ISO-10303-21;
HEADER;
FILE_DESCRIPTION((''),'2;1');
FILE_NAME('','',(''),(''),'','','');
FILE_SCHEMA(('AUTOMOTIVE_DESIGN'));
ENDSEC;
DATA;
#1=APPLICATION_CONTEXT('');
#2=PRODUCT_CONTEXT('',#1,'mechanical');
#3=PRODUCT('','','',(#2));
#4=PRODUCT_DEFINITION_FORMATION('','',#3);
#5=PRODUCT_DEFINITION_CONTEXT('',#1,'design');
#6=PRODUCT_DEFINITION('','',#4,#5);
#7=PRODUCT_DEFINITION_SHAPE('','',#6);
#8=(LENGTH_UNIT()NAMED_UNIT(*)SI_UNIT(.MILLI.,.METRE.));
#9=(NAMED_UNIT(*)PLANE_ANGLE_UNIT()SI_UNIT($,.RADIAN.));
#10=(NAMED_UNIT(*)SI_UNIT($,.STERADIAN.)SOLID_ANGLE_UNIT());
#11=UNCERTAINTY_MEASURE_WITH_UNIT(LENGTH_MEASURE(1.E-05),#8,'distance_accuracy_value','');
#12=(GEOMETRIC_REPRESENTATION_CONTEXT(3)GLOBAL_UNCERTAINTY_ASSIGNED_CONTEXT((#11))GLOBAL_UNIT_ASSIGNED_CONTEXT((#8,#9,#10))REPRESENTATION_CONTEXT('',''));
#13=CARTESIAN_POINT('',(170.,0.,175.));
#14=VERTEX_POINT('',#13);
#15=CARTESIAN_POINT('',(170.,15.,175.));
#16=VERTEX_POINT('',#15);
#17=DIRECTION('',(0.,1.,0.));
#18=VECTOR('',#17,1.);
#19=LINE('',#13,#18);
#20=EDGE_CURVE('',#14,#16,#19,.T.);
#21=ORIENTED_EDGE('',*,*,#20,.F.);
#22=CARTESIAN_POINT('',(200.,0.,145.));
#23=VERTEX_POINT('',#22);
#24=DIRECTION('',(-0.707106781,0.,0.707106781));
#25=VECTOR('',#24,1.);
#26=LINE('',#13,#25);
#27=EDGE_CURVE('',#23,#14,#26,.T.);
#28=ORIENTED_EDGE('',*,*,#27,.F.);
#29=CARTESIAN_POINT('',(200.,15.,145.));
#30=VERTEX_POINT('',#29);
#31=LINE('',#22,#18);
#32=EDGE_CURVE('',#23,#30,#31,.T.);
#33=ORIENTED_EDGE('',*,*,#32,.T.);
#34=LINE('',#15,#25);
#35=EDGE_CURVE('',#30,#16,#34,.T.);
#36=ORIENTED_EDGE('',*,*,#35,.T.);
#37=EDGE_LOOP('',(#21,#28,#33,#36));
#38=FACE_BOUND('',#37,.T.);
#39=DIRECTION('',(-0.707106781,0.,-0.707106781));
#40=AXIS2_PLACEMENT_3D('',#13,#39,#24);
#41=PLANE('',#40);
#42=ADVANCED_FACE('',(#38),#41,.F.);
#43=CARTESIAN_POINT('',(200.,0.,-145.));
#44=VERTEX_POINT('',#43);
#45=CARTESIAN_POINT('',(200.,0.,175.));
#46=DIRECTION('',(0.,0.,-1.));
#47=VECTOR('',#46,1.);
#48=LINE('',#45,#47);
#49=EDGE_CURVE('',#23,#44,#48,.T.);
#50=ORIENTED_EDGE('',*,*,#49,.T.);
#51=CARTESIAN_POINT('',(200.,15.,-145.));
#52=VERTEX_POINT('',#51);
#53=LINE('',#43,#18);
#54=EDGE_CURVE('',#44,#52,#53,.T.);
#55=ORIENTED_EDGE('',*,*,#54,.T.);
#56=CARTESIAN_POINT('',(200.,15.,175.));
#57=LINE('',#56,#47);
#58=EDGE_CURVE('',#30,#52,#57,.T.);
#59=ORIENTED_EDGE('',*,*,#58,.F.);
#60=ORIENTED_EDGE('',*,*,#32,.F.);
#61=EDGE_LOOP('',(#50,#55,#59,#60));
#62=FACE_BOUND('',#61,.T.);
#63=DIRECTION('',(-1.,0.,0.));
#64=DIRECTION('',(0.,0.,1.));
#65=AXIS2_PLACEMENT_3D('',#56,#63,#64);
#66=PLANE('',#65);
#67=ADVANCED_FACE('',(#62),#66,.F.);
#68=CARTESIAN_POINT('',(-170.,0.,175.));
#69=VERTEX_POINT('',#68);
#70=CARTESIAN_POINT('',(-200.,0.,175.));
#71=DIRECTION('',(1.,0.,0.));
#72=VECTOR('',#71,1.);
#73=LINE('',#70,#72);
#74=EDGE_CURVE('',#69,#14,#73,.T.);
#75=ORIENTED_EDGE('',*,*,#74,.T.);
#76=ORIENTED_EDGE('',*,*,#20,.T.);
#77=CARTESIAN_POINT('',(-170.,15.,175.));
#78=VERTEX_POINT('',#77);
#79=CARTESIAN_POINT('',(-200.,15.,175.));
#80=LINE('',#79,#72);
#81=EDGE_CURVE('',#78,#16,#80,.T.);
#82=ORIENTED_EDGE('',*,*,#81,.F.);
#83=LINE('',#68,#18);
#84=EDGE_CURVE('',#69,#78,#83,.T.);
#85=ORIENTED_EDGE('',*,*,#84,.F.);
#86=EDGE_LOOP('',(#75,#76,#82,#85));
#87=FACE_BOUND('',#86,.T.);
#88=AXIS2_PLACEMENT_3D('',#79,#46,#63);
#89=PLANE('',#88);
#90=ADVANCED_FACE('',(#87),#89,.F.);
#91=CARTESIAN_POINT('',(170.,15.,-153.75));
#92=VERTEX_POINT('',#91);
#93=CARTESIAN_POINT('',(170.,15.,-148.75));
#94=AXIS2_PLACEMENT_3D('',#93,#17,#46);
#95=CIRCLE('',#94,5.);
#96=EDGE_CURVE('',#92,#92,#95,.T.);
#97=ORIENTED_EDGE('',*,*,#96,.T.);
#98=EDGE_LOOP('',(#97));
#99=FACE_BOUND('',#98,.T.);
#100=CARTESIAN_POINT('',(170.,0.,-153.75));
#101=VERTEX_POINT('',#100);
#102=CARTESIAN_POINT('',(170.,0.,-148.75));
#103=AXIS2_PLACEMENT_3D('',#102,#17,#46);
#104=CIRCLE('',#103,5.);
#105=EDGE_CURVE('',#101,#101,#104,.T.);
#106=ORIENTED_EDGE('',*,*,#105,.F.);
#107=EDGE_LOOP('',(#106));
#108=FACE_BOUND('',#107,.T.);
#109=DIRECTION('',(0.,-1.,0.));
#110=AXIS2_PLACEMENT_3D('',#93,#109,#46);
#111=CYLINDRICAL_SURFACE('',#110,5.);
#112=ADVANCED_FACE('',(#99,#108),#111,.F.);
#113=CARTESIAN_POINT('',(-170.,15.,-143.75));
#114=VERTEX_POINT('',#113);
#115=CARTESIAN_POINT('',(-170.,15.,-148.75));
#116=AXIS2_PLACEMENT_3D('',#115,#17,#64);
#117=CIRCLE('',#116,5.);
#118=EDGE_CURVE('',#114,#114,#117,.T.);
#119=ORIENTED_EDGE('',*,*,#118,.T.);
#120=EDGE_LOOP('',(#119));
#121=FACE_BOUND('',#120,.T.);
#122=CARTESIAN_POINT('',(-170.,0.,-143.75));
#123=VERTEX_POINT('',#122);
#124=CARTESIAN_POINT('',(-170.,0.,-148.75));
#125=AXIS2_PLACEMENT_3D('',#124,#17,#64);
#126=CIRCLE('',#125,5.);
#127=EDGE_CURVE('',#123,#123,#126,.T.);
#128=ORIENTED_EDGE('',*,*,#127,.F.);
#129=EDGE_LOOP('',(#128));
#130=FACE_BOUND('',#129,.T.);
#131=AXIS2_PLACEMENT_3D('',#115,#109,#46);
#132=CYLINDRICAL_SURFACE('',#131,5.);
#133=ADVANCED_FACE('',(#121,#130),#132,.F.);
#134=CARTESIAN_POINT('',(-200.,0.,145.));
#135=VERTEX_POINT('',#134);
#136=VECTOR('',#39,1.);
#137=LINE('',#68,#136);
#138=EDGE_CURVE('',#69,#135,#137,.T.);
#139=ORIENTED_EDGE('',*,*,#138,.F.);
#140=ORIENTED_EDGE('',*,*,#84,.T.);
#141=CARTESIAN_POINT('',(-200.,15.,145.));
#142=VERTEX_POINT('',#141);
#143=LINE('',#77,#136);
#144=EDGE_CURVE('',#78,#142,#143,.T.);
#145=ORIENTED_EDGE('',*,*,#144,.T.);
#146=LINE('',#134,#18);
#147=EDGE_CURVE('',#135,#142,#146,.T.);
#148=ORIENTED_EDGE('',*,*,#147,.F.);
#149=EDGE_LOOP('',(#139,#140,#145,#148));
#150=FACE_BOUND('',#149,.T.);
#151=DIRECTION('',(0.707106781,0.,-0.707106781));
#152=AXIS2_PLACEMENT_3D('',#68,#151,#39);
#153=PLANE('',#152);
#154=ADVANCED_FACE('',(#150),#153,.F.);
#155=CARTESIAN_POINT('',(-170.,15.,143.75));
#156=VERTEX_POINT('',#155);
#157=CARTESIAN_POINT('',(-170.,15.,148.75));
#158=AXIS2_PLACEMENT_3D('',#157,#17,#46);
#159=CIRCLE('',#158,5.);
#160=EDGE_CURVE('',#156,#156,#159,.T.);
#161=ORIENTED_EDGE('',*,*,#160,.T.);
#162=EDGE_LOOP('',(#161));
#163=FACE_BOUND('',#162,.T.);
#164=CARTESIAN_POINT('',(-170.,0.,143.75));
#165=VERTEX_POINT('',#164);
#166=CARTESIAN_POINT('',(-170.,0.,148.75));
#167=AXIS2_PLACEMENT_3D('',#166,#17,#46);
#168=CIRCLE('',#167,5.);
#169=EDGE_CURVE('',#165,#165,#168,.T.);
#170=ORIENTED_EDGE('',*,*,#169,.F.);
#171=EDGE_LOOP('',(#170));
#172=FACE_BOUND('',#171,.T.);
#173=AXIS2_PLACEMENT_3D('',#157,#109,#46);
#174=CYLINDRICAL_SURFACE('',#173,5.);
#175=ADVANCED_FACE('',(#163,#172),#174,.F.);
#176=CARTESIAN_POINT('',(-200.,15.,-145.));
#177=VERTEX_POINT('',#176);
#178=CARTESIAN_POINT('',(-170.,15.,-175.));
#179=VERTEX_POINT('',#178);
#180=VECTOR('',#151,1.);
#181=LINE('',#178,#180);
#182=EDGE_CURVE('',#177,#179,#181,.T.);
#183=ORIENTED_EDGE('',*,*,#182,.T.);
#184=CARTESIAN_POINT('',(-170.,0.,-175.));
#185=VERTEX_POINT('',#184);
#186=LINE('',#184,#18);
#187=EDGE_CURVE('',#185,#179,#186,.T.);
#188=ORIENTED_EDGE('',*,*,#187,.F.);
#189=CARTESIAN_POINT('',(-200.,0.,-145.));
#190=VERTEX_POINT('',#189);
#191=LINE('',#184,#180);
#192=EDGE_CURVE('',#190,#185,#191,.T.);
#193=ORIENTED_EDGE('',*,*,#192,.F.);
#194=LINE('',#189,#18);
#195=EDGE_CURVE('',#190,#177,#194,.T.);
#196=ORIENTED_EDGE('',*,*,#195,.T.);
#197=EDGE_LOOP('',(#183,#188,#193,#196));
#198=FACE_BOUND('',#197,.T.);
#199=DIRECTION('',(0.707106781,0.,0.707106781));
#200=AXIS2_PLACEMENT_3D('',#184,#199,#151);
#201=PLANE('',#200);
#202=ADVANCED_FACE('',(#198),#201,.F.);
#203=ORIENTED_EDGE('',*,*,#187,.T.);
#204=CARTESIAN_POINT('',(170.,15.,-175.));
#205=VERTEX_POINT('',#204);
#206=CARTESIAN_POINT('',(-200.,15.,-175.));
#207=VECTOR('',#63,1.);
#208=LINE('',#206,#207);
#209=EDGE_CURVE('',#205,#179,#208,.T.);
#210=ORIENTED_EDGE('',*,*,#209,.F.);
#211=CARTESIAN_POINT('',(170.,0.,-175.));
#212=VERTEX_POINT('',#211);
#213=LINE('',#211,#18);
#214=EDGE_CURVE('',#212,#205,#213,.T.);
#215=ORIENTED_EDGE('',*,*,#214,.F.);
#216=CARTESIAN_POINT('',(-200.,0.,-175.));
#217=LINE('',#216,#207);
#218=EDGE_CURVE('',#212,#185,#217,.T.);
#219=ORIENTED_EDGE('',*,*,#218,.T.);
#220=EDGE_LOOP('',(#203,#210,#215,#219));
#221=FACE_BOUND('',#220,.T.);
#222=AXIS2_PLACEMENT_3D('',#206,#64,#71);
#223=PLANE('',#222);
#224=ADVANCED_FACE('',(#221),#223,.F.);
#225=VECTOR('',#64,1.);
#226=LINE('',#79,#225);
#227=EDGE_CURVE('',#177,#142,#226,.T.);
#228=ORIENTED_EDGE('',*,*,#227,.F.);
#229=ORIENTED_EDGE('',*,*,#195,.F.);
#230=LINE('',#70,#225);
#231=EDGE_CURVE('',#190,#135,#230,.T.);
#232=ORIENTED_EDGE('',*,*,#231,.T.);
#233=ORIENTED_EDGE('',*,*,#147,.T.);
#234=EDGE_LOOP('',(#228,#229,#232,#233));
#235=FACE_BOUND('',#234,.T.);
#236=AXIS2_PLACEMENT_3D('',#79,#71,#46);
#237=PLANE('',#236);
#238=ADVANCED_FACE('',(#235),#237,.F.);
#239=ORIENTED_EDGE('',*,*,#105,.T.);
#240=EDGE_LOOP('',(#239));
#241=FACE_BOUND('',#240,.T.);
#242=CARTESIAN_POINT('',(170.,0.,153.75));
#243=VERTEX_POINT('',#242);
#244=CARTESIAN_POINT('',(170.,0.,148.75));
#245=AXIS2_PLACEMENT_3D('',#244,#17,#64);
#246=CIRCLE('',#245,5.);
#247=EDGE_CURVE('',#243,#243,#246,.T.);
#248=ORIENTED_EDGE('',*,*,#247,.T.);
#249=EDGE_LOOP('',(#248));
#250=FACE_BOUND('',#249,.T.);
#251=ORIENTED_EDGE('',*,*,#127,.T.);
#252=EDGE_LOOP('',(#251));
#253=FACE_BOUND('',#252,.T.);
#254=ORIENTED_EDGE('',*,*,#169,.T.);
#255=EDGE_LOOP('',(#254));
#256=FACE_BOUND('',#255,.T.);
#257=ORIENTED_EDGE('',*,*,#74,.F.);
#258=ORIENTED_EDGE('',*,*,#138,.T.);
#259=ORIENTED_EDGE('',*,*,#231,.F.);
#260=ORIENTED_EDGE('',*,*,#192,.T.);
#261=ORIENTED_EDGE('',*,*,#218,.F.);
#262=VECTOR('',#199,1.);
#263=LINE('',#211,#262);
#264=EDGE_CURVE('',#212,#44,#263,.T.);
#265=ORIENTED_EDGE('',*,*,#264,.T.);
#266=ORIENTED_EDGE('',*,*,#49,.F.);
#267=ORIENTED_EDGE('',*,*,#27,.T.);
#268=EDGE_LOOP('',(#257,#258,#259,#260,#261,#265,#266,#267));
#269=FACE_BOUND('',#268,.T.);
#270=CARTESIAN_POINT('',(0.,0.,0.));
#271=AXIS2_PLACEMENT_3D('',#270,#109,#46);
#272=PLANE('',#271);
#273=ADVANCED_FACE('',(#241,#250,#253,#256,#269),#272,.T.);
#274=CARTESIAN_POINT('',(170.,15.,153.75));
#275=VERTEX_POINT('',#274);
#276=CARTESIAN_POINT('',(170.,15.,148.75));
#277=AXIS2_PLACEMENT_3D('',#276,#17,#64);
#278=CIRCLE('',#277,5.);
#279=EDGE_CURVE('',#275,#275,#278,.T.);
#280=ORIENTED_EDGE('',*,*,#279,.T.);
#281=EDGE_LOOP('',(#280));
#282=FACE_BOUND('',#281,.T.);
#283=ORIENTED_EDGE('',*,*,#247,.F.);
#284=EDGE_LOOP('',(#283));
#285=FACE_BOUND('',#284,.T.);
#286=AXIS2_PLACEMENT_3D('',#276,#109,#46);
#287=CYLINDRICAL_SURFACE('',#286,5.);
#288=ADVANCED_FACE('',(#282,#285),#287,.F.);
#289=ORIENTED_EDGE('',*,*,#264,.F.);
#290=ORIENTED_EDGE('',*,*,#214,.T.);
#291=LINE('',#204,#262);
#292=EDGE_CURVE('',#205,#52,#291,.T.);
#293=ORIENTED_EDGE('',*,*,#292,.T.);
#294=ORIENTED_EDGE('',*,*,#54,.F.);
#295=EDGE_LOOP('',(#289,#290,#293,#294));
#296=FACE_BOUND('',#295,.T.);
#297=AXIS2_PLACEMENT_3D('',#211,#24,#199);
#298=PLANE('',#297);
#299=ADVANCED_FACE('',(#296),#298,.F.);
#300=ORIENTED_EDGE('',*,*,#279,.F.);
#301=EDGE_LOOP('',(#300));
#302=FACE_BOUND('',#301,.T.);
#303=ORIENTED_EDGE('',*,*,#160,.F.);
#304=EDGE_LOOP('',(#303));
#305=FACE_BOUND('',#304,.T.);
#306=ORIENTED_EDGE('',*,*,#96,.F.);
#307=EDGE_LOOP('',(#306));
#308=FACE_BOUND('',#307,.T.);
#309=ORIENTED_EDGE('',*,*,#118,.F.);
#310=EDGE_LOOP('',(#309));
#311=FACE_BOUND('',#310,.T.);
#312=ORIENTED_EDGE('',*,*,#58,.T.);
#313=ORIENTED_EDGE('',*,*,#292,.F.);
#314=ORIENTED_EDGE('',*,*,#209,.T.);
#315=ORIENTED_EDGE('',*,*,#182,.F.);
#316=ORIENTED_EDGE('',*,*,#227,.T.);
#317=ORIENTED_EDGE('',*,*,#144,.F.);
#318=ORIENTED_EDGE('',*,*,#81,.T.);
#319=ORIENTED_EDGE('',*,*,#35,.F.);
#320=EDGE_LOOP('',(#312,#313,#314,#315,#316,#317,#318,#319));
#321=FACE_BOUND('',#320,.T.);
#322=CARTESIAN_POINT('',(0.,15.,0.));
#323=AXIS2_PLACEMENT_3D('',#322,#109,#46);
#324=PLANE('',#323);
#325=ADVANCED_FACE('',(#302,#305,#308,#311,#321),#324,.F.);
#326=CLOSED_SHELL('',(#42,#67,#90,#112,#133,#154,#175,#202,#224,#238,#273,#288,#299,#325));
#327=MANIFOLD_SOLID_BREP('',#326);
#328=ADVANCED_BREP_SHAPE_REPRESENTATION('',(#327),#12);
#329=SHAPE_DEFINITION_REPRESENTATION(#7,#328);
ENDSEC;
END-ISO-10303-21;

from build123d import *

# Parameters (mm, degrees)
SKETCH1_W           = 400
SKETCH1_H           = 350
SKETCH1_R           = 5
BOSS_EXTRUDE1_DEPTH = 15
CUT_EXTRUDE1_DEPTH  = 267.176633084


with BuildPart() as part:
    # Sketch1 → Boss-Extrude1 (new body)
    with BuildSketch(Plane(origin=(0, 0, 0), x_dir=(1, 0, 0), z_dir=(0, 1, 0))):
        Rectangle(SKETCH1_W, SKETCH1_H)
        with Locations(Location((-170, 148.75, 0), (0, 0, 270))):
            Circle(SKETCH1_R, mode=Mode.SUBTRACT)
        with Locations(Location((170, 148.75, 0), (0, 0, 90))):
            Circle(SKETCH1_R, mode=Mode.SUBTRACT)
        with Locations(Location((170, -148.75, 0), (0, 0, 270))):
            Circle(SKETCH1_R, mode=Mode.SUBTRACT)
        with Locations(Location((-170, -148.75, 0), (0, 0, 90))):
            Circle(SKETCH1_R, mode=Mode.SUBTRACT)
    extrude(amount=BOSS_EXTRUDE1_DEPTH)

    # Sketch2 → Cut-Extrude1 (cut, through all)
    with BuildSketch(Plane(origin=(0, 15, 0), x_dir=(1, 0, 0), z_dir=(0, 1, 0))):
        Polygon((-170, 175), (-200, 145), (-200, 175), align=None)
        Polygon((170, 175), (200, 145), (200, 175), align=None)
        Polygon((200, -175), (170, -175), (200, -145), align=None)
        Polygon((-170, -175), (-200, -145), (-200, -175), align=None)
    extrude(amount=-CUT_EXTRUDE1_DEPTH, mode=Mode.SUBTRACT)


solid = part.part
